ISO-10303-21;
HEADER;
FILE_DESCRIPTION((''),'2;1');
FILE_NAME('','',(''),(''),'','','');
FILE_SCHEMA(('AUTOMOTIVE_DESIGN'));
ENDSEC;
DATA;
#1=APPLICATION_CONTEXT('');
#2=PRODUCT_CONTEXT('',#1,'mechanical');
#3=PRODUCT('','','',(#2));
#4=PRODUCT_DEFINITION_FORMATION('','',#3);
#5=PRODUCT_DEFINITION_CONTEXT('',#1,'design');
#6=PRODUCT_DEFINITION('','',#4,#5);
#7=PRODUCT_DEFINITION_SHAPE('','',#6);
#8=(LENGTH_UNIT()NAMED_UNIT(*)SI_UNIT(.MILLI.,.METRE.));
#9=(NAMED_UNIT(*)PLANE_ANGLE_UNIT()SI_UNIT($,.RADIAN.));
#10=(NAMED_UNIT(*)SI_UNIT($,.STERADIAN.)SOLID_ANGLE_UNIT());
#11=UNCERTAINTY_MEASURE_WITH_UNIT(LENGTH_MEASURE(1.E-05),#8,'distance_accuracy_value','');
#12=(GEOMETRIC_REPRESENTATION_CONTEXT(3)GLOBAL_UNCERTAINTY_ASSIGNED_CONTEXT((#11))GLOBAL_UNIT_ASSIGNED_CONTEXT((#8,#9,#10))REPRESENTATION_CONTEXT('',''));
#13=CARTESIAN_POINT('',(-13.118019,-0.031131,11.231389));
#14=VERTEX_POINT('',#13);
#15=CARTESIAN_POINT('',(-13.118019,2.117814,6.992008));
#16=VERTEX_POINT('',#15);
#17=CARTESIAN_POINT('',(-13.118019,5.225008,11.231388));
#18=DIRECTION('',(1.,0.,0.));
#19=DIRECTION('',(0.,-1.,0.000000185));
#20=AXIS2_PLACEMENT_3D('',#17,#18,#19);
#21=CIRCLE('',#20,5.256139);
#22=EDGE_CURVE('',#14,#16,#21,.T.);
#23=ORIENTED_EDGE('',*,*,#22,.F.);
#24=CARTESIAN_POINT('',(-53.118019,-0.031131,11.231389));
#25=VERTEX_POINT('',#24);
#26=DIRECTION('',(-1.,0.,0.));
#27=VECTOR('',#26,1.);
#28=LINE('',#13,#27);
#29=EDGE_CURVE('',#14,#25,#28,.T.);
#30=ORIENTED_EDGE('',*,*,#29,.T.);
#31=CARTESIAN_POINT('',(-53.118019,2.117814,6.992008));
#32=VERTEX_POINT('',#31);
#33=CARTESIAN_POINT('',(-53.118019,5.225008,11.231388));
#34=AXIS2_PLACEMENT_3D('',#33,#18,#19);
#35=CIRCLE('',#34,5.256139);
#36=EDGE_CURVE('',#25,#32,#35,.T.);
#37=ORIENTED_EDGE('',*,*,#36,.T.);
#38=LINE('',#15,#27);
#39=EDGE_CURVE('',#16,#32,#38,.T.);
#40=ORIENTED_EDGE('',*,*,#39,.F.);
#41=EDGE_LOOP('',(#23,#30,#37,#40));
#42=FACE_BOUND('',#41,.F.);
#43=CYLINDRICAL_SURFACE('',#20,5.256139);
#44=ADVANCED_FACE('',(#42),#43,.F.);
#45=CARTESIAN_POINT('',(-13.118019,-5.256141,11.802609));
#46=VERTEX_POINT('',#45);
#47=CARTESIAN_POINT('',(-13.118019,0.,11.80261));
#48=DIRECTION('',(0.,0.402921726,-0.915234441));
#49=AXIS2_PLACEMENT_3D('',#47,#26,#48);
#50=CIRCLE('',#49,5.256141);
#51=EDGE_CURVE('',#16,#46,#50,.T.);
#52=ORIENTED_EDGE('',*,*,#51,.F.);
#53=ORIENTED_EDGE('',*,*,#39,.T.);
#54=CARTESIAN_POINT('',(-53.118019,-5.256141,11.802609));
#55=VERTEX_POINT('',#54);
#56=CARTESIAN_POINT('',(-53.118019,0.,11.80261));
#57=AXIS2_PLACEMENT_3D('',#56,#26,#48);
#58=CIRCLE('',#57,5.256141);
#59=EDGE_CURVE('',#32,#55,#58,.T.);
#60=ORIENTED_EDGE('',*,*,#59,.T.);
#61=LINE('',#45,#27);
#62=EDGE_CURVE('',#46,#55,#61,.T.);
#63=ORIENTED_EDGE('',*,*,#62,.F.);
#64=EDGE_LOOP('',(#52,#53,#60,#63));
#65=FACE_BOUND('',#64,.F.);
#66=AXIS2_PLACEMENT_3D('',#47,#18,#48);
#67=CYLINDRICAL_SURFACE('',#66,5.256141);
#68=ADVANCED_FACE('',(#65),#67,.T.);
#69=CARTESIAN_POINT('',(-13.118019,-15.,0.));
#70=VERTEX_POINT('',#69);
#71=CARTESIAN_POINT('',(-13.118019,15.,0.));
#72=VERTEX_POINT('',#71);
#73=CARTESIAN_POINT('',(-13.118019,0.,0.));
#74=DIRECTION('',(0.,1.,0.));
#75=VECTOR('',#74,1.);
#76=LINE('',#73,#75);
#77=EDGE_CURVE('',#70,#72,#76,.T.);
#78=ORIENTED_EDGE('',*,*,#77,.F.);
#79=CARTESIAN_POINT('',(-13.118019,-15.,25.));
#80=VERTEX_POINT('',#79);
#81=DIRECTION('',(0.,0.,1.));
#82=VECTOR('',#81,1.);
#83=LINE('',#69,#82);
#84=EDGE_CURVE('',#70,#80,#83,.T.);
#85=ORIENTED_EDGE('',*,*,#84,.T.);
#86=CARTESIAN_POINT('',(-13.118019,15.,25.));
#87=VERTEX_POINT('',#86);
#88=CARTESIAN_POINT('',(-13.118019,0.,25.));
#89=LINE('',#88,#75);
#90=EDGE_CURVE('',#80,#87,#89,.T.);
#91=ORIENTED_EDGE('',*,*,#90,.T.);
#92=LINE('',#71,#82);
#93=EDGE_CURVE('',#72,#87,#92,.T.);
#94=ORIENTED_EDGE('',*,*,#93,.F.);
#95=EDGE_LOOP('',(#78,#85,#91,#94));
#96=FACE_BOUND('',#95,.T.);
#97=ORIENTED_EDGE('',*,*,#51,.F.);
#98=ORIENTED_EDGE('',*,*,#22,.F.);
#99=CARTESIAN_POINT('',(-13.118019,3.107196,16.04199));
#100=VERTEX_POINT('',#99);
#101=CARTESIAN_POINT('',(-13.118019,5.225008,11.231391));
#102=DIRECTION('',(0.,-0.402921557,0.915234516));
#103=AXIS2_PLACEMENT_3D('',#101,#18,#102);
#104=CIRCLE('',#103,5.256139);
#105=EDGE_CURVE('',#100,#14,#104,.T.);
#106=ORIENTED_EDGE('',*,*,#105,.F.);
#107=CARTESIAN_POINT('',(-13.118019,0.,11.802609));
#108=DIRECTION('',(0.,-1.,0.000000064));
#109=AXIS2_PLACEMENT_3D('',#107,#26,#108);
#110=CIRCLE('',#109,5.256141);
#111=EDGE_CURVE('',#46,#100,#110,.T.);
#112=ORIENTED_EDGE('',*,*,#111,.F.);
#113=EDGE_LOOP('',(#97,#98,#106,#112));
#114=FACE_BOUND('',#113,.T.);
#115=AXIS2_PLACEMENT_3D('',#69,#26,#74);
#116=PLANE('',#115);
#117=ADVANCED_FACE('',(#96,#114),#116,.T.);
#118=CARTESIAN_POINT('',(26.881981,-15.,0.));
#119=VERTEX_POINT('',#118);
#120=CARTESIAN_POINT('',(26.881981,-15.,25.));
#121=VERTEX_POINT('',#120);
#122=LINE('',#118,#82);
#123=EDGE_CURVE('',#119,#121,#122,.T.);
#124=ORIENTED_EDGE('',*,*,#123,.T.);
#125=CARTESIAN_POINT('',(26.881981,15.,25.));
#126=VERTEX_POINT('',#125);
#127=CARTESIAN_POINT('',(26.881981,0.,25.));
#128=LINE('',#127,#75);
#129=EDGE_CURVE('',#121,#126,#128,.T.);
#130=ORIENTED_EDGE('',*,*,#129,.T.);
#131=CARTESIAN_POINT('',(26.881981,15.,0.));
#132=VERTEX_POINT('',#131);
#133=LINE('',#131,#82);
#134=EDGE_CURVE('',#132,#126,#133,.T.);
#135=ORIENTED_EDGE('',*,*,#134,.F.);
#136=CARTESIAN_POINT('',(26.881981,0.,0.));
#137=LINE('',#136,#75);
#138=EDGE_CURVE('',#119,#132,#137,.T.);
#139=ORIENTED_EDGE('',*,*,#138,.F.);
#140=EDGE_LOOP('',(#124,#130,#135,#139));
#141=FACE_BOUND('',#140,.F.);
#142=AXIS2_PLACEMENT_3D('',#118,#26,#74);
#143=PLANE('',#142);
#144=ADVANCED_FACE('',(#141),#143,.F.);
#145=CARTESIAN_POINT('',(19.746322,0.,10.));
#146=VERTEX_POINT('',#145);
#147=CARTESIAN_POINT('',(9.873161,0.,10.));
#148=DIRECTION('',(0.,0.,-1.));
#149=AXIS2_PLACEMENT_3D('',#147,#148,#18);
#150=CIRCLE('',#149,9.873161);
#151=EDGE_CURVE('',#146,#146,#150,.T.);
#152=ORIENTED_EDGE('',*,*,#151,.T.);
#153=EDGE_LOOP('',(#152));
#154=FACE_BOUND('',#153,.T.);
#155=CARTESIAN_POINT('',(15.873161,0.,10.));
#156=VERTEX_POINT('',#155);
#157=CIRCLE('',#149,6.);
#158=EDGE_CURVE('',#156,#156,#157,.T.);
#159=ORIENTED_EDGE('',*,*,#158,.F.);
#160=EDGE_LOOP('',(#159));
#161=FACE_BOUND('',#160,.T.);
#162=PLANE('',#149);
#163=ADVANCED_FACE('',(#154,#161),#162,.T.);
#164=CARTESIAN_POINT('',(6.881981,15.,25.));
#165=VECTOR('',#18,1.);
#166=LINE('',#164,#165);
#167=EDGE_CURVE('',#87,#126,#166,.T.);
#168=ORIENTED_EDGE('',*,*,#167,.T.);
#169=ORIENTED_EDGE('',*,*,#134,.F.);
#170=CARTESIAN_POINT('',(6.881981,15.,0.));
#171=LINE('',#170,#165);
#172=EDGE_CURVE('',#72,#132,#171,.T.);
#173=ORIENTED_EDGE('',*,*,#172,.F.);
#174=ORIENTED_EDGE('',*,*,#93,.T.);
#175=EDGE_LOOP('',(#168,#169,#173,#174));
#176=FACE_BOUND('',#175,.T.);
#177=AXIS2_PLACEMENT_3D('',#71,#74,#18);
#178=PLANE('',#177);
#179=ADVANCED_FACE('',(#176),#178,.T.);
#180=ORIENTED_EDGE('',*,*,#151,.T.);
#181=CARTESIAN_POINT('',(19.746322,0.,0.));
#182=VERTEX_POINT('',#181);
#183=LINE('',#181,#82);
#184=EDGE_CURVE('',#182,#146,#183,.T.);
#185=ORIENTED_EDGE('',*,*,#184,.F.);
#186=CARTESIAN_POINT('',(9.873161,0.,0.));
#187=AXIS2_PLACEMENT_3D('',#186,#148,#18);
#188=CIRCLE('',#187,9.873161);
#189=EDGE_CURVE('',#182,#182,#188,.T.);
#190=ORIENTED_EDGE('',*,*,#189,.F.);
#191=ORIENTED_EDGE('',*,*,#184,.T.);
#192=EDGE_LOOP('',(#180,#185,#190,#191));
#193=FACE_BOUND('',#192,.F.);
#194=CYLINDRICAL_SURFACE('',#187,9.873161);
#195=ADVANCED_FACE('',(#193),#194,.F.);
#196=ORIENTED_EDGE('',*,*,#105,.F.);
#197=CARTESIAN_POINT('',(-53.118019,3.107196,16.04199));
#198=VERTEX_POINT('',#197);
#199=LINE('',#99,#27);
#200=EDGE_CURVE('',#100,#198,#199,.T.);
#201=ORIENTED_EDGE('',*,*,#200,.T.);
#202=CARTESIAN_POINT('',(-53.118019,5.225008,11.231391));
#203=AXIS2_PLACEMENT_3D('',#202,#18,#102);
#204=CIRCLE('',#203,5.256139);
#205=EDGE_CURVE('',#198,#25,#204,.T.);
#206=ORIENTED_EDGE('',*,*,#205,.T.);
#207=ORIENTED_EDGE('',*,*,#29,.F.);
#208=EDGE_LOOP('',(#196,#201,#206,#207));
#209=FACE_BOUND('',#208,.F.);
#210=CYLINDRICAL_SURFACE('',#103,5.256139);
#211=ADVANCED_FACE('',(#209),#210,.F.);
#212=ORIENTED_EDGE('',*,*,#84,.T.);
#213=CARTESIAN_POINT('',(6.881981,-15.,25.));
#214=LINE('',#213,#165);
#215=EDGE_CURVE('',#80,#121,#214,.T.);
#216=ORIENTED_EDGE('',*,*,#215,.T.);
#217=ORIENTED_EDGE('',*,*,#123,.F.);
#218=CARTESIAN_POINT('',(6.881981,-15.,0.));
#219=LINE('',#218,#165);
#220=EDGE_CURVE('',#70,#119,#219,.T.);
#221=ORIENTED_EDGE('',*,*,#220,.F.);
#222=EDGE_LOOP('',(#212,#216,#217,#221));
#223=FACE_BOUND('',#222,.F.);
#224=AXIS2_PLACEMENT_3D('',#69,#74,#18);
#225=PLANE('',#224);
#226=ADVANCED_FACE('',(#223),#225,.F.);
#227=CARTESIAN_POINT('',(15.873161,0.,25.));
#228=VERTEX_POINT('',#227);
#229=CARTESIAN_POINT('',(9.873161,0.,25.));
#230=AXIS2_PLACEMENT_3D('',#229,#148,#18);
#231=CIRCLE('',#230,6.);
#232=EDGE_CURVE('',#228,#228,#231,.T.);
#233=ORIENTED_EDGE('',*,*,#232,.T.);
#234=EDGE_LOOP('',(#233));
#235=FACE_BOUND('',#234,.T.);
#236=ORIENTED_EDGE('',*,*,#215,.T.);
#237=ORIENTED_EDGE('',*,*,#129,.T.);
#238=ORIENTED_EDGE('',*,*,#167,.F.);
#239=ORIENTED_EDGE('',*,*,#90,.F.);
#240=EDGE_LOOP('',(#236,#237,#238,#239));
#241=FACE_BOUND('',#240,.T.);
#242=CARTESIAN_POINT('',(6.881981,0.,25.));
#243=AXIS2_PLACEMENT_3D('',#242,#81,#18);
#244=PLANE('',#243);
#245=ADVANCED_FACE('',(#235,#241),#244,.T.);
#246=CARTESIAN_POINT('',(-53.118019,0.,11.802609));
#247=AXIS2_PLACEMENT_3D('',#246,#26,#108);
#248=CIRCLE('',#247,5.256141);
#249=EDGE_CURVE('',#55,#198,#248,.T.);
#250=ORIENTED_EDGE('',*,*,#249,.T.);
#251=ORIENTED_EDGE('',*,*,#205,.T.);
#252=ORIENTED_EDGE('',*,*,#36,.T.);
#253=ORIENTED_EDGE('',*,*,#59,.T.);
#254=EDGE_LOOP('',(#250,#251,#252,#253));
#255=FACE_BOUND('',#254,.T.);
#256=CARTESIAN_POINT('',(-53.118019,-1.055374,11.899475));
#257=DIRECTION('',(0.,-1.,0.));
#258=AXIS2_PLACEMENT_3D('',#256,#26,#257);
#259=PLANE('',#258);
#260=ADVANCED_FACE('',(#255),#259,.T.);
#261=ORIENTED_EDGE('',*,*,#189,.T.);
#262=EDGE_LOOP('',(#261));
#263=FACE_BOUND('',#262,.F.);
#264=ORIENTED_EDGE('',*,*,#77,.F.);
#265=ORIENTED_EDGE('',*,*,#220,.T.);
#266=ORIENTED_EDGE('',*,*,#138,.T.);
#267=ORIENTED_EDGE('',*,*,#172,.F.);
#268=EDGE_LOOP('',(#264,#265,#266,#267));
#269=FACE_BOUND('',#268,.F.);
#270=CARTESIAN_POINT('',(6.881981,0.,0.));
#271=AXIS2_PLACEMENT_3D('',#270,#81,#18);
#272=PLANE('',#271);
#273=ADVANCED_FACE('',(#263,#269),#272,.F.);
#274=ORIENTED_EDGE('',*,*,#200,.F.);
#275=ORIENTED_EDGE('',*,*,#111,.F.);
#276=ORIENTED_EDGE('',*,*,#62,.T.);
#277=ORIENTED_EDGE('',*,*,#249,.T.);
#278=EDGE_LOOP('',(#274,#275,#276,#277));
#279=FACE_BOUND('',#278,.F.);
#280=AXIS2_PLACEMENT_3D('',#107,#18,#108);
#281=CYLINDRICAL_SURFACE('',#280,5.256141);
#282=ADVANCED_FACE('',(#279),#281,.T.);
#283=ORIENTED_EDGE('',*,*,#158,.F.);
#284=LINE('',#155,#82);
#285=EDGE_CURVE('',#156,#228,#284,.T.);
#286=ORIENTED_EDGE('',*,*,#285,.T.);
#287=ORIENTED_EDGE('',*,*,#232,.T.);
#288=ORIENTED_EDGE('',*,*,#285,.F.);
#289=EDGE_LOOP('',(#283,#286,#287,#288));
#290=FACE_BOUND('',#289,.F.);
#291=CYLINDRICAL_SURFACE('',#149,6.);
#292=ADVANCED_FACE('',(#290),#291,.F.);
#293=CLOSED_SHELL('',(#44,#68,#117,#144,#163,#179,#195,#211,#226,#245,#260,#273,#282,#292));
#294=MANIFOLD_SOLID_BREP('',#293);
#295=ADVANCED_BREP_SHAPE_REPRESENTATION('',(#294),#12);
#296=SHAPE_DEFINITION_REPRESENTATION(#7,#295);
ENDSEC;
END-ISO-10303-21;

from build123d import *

# Parameters (mm, degrees)
F0_W     = 40
F0_H     = 30
F1_DEPTH = 25
F2_R     = 9.873161
F3_DEPTH = 10
F4_R     = 6
F5_DEPTH = 25
F7_DEPTH = 40


with BuildPart() as f1:
    # F0 (on Top) → F1 (new body)
    with BuildSketch(Plane.XY):
        with Locations((6.881981, 0)):
            Rectangle(F0_W, F0_H)
    extrude(amount=F1_DEPTH)

    # F2 (on face) → F3 (cut)
    with BuildSketch(Plane(origin=(0, 0, 0), x_dir=(1, 0, 0), z_dir=(0, 0, -1))):
        with Locations((9.873161, 0)):
            Circle(F2_R)
    extrude(amount=-F3_DEPTH, mode=Mode.SUBTRACT)

    # F4 (on face) → F5 (cut)
    with BuildSketch(Plane(origin=(0, 0, 10), x_dir=(1, 0, 0), z_dir=(0, 0, -1))):
        with Locations((9.873161, 0)):
            Circle(F4_R)
    extrude(amount=-F5_DEPTH, mode=Mode.SUBTRACT)

    # F6 (on face) → F7 (join)
    with BuildSketch(Plane(origin=(-13.118019, 0, 0), x_dir=(0, -1, 0), z_dir=(-1, 0, 0))):
        with BuildLine():
            ThreePointArc((-2.117814, 6.992008), (2.871889, 7.40042), (5.256141, 11.802609))
            ThreePointArc((5.256141, 11.802609), (2.376464, 16.490832), (-3.107196, 16.04199))
            ThreePointArc((-3.107196, 16.04199), (-0.82282, 14.103278), (0.031131, 11.231389))
            ThreePointArc((0.031131, 11.231389), (-0.536786, 8.854926), (-2.117814, 6.992008))
        make_face()
    extrude(amount=F7_DEPTH)


solid = f1.part
